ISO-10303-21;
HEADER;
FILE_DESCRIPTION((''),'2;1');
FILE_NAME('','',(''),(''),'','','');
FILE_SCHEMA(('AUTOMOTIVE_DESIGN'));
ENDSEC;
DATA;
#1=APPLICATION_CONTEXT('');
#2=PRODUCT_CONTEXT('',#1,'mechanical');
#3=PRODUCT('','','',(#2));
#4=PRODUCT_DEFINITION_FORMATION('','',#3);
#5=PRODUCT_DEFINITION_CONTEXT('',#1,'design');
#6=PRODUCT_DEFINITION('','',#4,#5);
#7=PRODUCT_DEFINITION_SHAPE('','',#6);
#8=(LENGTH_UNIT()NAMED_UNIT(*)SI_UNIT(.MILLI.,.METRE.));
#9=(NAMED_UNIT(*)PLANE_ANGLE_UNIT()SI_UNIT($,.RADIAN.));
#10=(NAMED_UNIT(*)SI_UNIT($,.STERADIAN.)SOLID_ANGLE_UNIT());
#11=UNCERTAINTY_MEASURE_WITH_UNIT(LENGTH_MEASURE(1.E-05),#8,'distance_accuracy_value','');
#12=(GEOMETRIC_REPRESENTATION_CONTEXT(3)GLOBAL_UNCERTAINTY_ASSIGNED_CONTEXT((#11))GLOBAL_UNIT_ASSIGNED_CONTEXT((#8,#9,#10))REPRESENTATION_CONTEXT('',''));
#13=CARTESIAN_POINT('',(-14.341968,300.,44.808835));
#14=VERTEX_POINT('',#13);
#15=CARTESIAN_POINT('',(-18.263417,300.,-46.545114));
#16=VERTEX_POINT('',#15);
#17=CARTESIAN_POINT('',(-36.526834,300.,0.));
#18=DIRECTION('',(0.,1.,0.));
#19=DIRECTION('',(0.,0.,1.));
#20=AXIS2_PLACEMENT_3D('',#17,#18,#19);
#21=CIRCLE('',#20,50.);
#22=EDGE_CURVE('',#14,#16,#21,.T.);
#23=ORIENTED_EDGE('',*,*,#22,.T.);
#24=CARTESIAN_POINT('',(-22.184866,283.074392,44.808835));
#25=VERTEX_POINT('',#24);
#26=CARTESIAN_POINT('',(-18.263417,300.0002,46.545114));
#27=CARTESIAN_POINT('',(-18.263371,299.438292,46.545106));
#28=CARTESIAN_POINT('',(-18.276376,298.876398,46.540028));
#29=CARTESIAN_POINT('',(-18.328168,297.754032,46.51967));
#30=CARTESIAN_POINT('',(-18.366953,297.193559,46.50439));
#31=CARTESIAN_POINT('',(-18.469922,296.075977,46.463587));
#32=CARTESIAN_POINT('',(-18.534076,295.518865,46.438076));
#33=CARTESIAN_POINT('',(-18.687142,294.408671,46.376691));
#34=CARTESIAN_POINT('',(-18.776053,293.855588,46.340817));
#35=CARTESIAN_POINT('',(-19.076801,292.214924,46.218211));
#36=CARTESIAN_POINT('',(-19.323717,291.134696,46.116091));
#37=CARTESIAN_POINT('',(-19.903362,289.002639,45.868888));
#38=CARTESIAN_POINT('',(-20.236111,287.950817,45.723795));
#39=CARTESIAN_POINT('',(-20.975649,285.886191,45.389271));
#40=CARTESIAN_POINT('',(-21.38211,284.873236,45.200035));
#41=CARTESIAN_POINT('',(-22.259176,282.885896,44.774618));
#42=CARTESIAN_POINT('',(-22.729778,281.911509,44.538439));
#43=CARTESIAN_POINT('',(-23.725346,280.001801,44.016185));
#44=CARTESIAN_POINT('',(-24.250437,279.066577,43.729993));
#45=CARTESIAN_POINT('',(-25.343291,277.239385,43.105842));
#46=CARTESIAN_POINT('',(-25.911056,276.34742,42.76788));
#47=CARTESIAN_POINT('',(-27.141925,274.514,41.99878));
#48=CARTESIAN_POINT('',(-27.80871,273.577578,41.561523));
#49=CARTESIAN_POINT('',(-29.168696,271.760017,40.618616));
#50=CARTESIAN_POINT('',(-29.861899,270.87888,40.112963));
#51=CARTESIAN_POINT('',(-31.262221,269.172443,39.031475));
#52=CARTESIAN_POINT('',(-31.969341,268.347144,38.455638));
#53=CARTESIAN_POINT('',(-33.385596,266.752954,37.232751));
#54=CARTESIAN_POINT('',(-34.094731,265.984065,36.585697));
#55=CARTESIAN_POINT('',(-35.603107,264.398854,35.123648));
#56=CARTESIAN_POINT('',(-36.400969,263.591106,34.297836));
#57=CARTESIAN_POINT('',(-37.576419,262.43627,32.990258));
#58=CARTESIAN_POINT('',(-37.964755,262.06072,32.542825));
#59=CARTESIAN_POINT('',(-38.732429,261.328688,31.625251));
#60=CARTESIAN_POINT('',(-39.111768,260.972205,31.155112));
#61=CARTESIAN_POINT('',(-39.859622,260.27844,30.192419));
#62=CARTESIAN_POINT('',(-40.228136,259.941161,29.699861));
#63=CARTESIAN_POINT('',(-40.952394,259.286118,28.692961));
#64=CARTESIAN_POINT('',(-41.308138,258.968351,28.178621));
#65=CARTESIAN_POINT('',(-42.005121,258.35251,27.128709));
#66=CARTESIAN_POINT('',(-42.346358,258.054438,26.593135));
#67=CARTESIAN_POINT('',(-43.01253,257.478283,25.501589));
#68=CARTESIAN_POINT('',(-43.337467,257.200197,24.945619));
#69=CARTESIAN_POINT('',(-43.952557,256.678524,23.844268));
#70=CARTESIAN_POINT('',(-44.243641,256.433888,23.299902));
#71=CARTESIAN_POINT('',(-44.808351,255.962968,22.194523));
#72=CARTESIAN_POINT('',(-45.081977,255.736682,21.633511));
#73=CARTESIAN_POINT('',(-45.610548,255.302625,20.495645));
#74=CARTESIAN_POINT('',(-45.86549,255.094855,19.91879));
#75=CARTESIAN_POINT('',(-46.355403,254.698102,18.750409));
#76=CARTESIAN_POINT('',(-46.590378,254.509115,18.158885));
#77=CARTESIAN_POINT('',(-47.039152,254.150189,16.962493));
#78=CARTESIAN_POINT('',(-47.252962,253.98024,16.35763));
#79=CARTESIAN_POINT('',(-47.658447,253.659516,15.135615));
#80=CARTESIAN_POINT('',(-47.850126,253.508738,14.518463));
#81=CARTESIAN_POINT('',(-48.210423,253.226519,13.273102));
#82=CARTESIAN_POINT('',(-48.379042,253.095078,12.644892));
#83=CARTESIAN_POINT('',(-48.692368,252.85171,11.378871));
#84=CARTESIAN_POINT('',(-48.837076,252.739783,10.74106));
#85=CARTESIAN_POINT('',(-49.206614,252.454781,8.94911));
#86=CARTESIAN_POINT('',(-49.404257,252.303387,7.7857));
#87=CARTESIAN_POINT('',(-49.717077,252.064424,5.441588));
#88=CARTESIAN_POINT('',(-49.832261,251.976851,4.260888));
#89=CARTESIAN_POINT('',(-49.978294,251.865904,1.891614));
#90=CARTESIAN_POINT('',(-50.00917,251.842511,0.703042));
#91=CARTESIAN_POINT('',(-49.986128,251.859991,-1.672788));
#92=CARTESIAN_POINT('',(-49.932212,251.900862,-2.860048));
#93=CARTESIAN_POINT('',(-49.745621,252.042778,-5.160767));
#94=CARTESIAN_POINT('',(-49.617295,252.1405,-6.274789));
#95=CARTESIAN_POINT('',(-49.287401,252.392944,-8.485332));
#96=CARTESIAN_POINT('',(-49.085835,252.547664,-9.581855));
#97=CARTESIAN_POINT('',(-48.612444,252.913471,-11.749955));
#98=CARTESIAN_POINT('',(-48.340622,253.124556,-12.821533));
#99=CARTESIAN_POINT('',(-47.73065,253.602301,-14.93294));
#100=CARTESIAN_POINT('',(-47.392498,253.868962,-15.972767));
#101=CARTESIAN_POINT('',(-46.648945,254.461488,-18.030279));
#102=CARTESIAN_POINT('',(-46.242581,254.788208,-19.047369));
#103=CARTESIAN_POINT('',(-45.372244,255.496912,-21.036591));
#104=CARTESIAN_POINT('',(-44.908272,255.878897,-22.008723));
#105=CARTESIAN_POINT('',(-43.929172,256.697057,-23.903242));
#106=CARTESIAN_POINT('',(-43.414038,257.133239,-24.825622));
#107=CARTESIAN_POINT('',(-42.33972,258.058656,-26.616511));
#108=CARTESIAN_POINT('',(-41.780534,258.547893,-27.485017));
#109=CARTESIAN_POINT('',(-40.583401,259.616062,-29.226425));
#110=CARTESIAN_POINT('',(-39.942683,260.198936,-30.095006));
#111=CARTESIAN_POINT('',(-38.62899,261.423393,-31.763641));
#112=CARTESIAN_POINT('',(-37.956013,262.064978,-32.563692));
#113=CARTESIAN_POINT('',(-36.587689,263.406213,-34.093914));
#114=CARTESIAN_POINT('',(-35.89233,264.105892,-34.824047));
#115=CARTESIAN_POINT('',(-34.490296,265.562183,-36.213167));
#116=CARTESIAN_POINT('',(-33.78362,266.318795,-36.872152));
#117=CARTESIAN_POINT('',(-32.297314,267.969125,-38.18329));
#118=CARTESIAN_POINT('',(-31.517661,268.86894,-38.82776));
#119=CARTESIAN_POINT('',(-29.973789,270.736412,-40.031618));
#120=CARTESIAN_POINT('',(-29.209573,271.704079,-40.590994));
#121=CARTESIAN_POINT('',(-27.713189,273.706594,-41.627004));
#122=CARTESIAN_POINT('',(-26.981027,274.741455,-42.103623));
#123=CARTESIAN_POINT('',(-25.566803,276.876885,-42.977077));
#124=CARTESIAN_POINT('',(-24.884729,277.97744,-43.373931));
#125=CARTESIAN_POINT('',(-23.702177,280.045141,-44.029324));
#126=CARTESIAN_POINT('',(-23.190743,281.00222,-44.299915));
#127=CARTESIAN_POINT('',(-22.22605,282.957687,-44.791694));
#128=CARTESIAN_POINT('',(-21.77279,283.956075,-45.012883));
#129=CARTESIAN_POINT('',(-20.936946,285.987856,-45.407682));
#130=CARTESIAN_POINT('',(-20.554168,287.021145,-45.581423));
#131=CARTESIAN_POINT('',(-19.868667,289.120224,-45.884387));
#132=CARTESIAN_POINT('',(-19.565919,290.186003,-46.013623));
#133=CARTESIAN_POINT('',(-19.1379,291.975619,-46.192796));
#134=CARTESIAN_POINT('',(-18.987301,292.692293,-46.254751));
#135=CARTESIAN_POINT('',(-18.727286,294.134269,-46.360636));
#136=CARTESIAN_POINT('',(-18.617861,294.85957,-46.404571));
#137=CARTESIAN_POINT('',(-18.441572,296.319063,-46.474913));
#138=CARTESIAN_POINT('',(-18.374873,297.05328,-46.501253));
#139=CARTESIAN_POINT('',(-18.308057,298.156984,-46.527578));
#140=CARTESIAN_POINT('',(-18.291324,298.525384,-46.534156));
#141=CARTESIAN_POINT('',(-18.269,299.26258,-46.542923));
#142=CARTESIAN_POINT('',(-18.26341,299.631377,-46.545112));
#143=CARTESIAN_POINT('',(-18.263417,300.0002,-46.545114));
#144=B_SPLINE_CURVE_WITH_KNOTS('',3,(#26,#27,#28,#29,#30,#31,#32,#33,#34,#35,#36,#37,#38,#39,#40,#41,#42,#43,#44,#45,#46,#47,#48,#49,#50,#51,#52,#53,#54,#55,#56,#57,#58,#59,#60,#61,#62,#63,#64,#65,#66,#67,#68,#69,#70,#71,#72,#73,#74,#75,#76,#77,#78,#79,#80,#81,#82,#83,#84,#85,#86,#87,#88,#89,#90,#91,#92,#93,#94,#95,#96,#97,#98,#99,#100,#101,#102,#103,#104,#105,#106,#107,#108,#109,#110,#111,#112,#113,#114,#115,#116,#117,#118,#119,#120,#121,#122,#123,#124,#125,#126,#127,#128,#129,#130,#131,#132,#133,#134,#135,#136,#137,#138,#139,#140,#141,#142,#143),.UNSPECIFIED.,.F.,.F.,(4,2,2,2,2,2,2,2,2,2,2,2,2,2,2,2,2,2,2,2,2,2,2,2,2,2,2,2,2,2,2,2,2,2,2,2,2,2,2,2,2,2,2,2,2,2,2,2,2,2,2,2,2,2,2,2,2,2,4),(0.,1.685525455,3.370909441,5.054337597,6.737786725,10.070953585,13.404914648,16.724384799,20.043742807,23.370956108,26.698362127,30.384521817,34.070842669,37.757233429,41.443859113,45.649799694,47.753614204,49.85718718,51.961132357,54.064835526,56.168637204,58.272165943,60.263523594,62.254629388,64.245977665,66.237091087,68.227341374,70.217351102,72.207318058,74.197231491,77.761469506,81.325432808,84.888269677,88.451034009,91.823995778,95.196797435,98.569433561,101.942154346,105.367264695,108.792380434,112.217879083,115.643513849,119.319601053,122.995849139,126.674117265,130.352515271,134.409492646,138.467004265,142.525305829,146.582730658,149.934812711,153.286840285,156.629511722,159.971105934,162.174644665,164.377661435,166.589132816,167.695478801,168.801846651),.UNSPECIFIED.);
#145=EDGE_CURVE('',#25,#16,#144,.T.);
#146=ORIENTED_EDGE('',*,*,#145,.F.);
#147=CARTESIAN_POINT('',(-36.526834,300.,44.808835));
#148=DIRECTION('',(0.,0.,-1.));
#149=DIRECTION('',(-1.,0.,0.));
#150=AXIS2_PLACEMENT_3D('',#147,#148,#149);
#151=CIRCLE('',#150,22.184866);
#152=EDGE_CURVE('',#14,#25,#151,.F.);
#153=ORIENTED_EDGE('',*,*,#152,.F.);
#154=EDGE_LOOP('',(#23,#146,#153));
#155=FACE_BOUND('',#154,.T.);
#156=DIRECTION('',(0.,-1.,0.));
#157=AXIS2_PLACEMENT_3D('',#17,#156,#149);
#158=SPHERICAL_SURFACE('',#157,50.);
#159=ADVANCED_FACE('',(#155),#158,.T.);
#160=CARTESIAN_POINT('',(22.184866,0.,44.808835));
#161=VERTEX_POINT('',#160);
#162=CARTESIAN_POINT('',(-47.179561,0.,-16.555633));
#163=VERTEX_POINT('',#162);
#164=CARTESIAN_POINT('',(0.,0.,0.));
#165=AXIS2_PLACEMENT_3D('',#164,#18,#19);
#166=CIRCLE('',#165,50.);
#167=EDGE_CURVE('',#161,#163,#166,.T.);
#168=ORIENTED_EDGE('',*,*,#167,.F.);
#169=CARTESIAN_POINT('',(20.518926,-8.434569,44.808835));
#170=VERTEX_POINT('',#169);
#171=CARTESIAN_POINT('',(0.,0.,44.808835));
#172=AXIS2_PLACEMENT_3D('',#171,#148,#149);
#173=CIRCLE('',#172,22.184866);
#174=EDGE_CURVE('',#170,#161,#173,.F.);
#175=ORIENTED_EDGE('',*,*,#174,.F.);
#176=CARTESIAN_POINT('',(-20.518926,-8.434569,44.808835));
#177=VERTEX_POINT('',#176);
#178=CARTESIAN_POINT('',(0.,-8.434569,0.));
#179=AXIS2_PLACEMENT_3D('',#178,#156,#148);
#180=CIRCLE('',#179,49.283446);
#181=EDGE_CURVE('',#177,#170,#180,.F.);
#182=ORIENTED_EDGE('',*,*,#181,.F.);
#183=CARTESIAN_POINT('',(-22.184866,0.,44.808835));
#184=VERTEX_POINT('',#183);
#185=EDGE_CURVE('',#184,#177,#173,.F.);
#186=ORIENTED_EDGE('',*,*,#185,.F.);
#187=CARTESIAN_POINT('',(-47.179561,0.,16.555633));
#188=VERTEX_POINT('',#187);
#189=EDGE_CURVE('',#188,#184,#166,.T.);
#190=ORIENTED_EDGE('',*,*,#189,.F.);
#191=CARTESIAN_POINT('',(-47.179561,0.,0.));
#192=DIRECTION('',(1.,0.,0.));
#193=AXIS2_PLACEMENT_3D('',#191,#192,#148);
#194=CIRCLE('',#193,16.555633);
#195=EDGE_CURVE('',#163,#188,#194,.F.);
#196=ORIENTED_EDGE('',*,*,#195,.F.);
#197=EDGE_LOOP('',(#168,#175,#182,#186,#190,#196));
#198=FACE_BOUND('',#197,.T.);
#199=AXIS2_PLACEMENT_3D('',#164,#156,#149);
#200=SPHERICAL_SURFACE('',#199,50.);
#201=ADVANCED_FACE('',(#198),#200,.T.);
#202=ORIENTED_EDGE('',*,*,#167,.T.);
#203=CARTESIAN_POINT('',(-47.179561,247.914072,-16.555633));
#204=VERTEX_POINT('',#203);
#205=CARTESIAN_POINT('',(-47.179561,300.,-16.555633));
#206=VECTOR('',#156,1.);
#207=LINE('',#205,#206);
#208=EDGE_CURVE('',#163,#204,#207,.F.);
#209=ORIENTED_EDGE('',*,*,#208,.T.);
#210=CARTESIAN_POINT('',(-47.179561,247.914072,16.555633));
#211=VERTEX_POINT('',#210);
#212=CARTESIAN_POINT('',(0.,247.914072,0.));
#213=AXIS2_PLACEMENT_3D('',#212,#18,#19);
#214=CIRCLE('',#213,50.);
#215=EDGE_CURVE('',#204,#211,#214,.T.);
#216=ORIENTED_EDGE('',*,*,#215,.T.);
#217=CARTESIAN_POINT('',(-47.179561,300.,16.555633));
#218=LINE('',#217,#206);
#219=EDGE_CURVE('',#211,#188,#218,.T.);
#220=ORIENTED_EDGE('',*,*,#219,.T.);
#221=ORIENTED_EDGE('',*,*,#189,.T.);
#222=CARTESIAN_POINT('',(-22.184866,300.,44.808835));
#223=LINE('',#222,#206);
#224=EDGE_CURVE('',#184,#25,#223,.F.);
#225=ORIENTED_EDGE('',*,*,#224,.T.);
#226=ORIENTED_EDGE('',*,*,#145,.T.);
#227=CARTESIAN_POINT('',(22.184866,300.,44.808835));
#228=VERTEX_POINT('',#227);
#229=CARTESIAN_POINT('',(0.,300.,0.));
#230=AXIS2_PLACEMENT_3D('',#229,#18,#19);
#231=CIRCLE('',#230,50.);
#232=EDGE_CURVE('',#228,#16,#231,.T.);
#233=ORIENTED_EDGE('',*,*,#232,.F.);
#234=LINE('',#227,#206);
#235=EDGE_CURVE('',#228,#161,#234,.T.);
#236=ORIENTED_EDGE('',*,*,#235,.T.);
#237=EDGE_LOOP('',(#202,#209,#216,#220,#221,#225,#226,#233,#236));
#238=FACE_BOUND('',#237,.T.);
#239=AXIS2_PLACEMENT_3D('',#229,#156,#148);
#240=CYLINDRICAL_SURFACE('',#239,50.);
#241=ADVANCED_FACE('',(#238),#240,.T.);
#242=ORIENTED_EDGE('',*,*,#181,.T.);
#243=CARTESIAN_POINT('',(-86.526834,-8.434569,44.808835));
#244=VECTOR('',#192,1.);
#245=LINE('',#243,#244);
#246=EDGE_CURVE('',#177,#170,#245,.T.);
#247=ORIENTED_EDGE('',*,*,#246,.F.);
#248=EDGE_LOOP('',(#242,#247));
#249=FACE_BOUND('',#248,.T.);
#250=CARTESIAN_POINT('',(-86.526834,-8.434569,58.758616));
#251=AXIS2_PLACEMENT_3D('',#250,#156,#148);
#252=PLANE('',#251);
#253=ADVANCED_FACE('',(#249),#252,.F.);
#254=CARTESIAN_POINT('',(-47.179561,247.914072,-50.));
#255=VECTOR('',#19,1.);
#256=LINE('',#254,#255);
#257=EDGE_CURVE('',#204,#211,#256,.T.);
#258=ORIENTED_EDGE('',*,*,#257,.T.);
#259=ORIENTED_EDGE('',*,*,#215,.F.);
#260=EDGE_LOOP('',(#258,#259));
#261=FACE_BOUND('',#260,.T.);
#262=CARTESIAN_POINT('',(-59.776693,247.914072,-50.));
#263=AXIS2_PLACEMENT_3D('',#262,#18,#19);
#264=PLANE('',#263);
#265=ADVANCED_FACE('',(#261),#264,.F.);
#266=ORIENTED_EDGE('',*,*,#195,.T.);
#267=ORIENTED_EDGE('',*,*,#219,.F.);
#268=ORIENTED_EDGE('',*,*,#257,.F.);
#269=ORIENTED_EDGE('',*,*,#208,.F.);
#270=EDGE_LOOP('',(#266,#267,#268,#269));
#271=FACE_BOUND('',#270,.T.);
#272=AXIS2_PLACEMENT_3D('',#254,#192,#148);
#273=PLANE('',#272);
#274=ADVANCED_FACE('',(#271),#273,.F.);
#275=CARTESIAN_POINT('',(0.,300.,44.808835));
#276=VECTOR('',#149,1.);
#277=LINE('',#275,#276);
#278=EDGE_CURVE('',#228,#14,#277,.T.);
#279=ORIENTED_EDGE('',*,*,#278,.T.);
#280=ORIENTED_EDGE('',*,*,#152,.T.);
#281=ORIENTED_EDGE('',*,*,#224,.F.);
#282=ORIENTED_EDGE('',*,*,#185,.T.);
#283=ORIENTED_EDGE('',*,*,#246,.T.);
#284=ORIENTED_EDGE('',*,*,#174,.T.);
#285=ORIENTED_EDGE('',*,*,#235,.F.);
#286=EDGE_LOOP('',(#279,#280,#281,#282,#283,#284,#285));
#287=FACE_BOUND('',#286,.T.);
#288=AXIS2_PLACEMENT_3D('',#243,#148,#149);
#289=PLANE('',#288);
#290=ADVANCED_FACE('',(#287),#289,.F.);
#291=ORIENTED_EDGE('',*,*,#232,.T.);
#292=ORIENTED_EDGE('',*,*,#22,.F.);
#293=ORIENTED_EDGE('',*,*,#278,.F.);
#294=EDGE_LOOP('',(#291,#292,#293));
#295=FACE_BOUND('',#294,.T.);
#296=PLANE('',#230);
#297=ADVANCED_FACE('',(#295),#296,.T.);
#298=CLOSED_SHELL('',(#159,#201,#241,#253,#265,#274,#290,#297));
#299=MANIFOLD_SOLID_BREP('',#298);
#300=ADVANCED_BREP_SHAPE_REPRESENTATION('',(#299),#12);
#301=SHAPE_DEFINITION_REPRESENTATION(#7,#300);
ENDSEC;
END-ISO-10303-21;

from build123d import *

# Parameters (mm, degrees)
SKETCH1_R               = 50
BOSS_EXTRUDE1_DEPTH     = 300
CUT_EXTRUDE1_DEPTH      = 364.987490242
CUT_EXTRUDE1_DEPTH_BACK = 364.987490242
SKETCH4_W               = 12.597132099
SKETCH4_H               = 279.427293847
CUT_EXTRUDE2_DEPTH      = 364.987490242
CUT_EXTRUDE2_DEPTH_BACK = 364.987490242
SKETCH5_W               = 13.949781053
SKETCH5_H               = 363.760783887


with BuildPart() as part:
    # Sketch1 → Boss-Extrude1 (new body)
    with BuildSketch(Plane(origin=(0, 0, 0), x_dir=(1, 0, 0), z_dir=(0, 1, 0))):
        with Locations(Location((0, 0, 0), (0, 0, 270))):
            Circle(SKETCH1_R)
    extrude(amount=BOSS_EXTRUDE1_DEPTH)

    # Sketch2 → Revolve1 (revolve)
    with BuildSketch(Plane.XY):
        with BuildLine():
            Line((-36.526834234, 250), (-36.526834234, 350))
            ThreePointArc((-36.526834234, 350), (13.473165766, 300), (-36.526834234, 250))
        make_face()
    revolve(axis=Axis((-36.526834234, 250, 0), (0, 1, 0)))

    # Sketch3 → Revolve2 (revolve)
    with BuildSketch(Plane.XY):
        with BuildLine():
            Line((0, -50), (0, 50))
            ThreePointArc((0, 50), (50, 0), (0, -50))
        make_face()
    revolve(axis=Axis((0, -50, 0), (0, 1, 0)))

    # Sketch4 → Cut-Extrude1 (cut, two sides: drawn at the far end of the back side and taken through both)
    with BuildSketch(Plane.XY.offset(-CUT_EXTRUDE1_DEPTH_BACK)):
        with Locations((-53.478127305, 108.200425306)):
            Rectangle(SKETCH4_W, SKETCH4_H)
    extrude(amount=CUT_EXTRUDE1_DEPTH + CUT_EXTRUDE1_DEPTH_BACK, mode=Mode.SUBTRACT)

    # Sketch5 → Cut-Extrude2 (cut, two sides: drawn at the far end of the back side and taken through both)
    with BuildSketch(Plane(origin=(0, 0, 0), x_dir=(0, 0, -1), z_dir=(1, 0, 0)).offset(-CUT_EXTRUDE2_DEPTH_BACK)):
        with Locations((-51.783725954, 173.445822779)):
            Rectangle(SKETCH5_W, SKETCH5_H)
    extrude(amount=CUT_EXTRUDE2_DEPTH + CUT_EXTRUDE2_DEPTH_BACK, mode=Mode.SUBTRACT)


solid = part.part
